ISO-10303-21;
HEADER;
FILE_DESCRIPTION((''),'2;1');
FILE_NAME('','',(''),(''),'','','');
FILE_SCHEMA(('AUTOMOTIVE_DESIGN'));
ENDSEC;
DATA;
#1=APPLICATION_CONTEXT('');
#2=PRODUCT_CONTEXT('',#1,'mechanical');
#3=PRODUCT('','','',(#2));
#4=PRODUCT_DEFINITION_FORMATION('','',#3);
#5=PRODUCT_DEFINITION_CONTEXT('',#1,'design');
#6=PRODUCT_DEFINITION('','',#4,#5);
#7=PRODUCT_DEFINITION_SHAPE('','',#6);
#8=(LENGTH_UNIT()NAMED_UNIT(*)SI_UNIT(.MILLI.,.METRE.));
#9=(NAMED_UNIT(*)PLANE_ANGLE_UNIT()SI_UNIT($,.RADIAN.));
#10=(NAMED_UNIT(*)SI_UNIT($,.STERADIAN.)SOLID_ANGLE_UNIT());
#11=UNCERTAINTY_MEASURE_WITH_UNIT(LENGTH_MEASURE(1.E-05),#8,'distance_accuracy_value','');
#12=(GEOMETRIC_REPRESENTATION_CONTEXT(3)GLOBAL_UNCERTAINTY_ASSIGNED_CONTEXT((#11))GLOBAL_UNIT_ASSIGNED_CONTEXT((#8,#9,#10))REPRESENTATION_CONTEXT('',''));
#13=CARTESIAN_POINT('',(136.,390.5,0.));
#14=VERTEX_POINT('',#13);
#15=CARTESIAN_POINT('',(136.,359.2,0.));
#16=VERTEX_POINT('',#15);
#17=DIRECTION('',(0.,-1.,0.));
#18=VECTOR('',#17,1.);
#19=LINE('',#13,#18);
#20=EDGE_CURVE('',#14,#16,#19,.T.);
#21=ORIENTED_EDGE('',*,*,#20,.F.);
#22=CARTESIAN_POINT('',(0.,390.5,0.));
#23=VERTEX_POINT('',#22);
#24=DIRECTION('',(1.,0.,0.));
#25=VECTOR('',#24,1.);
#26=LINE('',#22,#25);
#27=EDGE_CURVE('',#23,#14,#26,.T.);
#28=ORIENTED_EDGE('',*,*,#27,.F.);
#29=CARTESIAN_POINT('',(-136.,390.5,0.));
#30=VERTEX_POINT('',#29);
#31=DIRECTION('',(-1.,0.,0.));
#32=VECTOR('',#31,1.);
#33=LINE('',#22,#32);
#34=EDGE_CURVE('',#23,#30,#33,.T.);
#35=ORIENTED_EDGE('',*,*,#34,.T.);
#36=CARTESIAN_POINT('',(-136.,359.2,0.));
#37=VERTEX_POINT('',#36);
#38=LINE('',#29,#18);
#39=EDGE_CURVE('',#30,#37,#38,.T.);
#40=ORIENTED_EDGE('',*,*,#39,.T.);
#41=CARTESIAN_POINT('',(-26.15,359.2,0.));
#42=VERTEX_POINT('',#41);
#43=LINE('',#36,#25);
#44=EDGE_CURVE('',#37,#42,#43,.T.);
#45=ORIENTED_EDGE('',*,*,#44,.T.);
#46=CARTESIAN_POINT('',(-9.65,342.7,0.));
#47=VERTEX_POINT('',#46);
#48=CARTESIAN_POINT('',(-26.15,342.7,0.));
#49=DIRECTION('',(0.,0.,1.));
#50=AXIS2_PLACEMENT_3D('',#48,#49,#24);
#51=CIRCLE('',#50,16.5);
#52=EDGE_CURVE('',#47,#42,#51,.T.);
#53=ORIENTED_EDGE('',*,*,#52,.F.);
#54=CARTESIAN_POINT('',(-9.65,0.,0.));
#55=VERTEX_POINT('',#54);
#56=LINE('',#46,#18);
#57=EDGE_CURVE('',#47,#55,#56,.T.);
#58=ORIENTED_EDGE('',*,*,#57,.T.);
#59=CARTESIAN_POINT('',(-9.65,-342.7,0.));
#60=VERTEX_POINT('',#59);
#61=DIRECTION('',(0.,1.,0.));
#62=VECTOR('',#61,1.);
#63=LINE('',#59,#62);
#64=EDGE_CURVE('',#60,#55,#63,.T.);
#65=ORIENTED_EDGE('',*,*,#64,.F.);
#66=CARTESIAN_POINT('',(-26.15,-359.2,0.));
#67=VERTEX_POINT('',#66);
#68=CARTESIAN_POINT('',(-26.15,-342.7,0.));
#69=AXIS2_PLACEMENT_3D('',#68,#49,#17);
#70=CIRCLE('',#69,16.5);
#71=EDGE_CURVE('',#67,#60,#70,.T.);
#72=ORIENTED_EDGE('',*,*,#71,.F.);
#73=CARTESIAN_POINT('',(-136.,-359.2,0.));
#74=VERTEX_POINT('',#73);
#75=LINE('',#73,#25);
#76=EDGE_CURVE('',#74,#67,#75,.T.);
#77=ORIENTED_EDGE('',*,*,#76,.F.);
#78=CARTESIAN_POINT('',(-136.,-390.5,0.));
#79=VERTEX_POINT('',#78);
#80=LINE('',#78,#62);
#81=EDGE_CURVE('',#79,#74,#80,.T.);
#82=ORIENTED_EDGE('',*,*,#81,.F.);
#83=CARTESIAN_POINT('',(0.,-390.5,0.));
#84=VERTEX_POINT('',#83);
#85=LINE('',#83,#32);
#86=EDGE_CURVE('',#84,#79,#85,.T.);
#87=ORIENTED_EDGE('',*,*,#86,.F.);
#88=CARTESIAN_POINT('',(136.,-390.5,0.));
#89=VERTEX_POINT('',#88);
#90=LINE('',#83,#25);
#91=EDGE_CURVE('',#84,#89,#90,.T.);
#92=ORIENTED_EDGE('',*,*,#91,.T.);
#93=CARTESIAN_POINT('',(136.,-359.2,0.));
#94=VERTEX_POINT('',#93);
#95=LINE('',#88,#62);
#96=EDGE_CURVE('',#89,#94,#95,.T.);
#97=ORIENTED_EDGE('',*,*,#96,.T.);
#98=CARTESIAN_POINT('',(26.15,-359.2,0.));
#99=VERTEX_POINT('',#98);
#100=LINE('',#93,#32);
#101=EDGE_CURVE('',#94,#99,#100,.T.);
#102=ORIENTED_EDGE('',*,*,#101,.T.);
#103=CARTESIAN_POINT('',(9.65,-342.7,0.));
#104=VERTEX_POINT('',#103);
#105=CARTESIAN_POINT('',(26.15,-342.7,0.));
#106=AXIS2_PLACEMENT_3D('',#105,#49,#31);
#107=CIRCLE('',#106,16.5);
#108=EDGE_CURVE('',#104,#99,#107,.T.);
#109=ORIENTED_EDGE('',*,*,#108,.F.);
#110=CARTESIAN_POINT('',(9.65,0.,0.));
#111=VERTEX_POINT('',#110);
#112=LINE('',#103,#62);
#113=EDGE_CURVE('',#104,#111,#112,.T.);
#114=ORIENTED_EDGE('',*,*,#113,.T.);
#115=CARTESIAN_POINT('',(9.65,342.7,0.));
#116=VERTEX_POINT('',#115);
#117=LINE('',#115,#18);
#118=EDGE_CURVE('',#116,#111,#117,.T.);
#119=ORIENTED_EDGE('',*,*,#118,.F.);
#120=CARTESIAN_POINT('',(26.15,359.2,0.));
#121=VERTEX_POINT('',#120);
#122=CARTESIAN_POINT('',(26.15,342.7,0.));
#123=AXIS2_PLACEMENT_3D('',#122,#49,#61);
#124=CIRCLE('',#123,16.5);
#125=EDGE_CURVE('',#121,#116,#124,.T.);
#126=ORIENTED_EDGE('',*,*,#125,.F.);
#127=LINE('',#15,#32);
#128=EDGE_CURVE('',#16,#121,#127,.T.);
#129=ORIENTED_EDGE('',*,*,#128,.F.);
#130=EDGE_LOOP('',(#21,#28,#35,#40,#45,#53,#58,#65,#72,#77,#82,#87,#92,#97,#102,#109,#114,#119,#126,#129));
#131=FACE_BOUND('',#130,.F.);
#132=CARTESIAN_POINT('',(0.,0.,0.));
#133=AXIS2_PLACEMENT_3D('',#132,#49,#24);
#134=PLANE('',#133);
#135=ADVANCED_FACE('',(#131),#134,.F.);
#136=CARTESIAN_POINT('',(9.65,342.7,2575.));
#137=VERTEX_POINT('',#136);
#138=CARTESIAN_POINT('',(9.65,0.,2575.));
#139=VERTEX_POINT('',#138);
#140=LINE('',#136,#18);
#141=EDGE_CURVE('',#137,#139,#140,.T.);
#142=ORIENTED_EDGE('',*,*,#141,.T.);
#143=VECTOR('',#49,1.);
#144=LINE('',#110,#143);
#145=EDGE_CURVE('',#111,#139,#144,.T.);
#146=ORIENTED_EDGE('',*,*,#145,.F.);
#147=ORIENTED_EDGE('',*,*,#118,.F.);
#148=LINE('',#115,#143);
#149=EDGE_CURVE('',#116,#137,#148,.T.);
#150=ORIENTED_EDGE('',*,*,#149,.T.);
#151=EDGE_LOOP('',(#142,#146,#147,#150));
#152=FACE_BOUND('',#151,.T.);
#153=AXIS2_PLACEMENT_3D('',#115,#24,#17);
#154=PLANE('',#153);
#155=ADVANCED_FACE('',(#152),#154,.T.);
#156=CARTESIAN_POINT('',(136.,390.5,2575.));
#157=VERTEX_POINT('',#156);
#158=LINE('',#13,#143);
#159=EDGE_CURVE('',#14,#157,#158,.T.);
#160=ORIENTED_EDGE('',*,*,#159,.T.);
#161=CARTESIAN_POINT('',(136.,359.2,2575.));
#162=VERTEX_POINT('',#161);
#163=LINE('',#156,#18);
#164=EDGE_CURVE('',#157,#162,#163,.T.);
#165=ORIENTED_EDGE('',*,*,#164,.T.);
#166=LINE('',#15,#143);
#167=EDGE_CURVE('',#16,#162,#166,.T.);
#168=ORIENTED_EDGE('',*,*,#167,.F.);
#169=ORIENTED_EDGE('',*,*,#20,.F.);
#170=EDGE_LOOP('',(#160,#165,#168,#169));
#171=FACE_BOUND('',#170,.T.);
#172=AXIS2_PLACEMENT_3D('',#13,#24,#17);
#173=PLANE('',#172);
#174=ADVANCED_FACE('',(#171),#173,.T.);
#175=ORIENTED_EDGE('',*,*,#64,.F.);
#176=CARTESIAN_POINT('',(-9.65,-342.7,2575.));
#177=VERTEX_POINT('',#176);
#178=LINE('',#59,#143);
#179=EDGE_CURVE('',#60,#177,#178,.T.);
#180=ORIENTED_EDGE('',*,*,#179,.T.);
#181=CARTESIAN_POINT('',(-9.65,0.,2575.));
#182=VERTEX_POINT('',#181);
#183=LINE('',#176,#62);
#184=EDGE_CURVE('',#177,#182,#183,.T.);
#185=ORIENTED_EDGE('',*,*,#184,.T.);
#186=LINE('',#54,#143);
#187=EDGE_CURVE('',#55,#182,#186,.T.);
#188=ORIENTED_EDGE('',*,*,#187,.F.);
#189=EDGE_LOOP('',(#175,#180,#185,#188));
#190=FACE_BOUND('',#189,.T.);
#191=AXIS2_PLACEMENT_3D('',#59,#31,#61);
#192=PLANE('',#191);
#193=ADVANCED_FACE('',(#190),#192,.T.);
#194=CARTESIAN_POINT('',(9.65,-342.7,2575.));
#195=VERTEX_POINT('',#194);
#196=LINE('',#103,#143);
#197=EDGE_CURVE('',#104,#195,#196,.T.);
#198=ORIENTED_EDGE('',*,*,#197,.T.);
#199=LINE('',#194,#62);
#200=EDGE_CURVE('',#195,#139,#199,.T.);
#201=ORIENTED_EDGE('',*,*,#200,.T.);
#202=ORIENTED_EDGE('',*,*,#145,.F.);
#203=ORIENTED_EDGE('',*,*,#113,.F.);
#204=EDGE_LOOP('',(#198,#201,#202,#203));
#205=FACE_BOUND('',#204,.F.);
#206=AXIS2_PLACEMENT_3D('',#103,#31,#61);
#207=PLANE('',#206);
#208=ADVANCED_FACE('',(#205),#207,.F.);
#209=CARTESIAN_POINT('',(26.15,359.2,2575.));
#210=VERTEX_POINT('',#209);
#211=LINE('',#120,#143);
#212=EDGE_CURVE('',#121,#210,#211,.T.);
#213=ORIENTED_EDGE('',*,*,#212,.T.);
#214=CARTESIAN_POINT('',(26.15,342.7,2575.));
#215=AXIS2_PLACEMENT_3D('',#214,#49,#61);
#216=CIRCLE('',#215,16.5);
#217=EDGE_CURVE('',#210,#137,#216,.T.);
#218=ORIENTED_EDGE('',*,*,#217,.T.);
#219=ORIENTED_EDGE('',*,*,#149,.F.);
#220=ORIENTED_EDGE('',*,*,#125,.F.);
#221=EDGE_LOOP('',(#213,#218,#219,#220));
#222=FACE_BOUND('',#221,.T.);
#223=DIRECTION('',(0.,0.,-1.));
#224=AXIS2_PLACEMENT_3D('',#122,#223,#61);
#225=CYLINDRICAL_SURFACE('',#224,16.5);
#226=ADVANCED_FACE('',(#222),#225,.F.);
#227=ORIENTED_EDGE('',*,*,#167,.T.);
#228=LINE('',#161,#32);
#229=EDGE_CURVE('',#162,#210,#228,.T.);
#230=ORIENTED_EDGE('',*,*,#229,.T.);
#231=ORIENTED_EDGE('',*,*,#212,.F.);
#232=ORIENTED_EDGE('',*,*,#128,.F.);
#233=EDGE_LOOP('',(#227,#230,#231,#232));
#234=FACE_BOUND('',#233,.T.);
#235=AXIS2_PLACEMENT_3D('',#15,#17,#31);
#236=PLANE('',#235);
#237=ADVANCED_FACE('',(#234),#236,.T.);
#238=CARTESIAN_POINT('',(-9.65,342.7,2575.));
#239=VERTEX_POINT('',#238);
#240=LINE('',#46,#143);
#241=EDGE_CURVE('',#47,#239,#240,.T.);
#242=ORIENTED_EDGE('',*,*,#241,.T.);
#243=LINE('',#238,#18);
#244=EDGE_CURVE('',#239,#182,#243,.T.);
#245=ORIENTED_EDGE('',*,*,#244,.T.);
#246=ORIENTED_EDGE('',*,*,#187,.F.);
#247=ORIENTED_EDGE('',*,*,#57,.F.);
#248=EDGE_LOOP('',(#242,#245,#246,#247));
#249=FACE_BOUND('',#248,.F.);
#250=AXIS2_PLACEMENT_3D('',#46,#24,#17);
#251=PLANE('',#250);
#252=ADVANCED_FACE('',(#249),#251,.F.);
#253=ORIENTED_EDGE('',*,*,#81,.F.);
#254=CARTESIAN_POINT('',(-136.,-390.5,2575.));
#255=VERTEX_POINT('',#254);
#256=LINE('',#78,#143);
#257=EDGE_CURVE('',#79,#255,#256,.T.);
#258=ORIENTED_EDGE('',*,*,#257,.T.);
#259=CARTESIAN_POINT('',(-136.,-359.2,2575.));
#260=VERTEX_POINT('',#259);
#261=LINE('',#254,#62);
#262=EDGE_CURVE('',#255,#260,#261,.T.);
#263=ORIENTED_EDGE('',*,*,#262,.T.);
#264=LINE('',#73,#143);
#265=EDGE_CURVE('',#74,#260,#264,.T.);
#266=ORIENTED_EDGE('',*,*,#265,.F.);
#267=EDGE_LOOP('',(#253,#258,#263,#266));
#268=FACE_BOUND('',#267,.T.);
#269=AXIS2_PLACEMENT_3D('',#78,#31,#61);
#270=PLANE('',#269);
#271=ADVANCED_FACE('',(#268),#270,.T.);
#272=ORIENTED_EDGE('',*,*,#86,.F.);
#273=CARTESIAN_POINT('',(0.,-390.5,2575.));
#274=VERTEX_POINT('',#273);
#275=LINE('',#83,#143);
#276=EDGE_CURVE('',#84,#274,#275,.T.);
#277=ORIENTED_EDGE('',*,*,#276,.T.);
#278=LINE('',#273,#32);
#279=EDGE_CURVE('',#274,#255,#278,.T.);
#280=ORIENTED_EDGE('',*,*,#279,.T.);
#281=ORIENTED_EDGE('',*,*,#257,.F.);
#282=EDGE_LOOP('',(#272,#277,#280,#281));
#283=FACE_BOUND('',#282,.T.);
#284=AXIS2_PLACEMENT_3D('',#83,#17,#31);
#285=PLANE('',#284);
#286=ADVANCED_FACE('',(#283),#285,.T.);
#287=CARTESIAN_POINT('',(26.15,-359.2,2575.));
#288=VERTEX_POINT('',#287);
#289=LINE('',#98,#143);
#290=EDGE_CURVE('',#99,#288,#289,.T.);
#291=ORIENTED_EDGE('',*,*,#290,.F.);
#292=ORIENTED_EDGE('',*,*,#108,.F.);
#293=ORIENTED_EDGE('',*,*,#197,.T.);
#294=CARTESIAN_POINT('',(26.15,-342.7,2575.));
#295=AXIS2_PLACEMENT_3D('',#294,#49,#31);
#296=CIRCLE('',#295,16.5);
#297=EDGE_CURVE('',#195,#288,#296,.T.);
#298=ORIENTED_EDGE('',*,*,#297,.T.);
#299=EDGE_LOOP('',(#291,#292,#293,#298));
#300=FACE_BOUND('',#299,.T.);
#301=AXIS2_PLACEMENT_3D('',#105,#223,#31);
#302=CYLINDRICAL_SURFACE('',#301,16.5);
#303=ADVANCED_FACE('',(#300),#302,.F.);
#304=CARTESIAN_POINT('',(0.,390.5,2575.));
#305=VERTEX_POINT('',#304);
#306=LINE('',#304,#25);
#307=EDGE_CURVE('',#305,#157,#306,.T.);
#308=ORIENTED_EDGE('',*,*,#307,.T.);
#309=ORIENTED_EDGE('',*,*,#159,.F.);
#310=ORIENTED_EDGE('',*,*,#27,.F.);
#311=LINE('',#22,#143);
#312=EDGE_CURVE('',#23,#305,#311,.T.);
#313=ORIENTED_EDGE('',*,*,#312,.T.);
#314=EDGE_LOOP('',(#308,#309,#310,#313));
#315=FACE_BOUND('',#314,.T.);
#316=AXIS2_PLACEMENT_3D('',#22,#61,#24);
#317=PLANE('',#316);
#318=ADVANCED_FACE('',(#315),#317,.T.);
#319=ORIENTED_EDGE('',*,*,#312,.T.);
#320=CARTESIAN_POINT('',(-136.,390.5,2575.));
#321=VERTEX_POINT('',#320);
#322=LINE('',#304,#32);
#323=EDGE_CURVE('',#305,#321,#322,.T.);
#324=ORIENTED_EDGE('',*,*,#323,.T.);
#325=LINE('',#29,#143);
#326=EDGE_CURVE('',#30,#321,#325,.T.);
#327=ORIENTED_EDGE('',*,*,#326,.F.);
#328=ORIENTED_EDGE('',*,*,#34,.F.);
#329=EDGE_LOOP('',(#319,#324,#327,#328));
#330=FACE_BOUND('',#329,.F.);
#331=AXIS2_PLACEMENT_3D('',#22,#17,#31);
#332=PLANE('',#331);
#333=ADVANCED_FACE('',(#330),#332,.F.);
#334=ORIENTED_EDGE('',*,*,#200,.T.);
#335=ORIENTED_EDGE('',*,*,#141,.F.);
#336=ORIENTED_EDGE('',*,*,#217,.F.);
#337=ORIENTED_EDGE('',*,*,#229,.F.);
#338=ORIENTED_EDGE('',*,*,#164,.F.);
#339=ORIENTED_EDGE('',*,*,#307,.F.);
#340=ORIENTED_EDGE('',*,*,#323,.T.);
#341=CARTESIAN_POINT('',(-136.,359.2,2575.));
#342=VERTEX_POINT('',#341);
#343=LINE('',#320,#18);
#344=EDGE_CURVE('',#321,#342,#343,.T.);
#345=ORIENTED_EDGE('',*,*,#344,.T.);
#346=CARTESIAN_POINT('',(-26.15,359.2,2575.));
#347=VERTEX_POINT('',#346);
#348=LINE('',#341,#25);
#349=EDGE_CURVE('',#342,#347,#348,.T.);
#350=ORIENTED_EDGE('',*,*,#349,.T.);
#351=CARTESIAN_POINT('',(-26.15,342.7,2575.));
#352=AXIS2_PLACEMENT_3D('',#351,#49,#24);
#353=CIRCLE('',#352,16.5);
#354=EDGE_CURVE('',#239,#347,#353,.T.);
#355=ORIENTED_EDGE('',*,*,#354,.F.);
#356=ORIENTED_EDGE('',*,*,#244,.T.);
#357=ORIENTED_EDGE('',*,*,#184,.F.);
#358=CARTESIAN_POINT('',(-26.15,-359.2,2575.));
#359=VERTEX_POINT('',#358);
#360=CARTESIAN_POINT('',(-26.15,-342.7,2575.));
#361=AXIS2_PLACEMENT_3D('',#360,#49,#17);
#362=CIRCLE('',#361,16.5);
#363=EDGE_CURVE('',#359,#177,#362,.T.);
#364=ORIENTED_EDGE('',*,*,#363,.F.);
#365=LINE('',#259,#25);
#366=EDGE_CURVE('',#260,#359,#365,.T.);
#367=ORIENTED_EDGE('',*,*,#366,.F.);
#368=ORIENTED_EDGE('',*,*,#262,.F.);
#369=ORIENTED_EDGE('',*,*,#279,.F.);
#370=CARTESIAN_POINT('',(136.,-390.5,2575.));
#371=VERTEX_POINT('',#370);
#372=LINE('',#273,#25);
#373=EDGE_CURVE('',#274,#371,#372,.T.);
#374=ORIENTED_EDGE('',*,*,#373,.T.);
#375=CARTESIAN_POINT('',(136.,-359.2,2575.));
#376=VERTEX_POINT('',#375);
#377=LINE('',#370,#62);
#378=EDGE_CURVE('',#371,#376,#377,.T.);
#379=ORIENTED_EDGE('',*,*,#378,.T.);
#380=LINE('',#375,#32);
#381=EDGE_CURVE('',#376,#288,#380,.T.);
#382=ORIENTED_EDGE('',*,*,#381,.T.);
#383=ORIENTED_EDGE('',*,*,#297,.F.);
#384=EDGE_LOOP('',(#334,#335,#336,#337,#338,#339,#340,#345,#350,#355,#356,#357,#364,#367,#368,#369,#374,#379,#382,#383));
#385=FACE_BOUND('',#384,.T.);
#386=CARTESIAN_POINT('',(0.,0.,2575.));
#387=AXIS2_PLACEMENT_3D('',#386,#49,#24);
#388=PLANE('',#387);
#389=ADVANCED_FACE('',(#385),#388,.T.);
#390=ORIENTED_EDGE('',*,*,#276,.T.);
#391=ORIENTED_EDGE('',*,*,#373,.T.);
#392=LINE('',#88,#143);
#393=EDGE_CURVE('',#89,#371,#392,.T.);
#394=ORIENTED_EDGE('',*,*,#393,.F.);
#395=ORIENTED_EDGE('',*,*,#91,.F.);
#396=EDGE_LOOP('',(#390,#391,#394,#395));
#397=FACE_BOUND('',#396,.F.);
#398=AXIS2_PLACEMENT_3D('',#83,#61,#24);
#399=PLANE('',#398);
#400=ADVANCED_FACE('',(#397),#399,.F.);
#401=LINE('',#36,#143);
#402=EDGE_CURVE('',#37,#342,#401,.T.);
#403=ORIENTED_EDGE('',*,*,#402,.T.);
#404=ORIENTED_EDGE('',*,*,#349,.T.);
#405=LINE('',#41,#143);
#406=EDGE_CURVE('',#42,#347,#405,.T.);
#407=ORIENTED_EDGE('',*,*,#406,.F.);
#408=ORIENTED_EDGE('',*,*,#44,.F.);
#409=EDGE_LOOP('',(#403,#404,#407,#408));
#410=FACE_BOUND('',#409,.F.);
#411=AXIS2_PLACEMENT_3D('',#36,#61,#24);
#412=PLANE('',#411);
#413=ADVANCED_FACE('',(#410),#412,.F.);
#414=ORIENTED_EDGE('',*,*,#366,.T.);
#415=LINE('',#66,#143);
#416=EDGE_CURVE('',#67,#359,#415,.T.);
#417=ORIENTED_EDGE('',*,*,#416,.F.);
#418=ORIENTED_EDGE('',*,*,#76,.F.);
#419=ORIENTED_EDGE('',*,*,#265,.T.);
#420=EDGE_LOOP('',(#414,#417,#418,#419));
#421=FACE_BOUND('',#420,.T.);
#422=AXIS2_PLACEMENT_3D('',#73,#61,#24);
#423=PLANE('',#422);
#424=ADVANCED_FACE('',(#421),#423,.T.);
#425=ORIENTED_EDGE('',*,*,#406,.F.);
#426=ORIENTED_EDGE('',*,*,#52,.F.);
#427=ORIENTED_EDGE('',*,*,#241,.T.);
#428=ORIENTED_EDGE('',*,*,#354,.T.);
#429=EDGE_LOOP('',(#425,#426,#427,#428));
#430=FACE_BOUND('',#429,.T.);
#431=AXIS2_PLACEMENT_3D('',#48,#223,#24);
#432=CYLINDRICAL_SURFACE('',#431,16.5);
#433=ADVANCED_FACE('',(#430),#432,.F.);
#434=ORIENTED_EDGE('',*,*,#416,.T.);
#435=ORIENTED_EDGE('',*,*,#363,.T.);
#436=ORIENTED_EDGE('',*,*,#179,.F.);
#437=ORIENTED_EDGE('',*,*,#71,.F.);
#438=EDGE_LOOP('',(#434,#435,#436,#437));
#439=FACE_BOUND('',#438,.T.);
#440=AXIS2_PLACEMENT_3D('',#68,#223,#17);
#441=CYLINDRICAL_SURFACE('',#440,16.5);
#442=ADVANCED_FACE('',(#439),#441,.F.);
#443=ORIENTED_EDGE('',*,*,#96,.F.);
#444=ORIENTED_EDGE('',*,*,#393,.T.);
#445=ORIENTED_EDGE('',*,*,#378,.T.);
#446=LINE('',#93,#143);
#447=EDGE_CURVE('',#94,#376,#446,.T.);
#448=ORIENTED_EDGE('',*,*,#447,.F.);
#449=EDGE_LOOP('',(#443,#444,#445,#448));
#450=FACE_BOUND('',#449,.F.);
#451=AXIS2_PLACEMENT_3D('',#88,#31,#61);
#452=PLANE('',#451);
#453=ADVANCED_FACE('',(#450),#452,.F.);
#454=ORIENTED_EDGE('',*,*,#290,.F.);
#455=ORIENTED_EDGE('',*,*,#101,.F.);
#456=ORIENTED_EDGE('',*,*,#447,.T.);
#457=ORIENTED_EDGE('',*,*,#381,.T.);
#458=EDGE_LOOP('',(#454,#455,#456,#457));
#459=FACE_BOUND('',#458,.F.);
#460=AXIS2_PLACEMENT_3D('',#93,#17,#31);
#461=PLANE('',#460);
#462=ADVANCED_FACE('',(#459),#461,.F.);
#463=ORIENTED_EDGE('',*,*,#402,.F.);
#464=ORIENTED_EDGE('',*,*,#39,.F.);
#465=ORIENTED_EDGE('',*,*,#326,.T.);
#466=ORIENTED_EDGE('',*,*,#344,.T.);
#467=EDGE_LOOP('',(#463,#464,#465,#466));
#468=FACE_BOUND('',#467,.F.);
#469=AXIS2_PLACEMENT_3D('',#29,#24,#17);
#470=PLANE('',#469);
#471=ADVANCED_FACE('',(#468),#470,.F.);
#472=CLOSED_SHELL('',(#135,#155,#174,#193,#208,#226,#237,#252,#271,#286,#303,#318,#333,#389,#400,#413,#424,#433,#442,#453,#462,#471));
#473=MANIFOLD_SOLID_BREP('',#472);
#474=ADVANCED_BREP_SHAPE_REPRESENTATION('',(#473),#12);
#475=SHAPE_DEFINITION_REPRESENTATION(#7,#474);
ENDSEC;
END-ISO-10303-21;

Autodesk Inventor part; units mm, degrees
ref_plane "YZ Plane" through (0, 0, 0) normal (1, 0, 0) x (0, 1, 0)
ref_plane "Start plane" through (0, 0, 0) normal (0, 0, 1) x (1, 0, 0)
ref_plane "End plane" through (0, 0, 2575) normal (0, 0, 1) x (1, 0, 0)
sketch "Sketch" plane through (0, 0, 0) normal (0, 0, 1) x (1, 0, 0)
  line L0 (-136, -390.5) -> (-136, -359.2)
  line L1 (-136, -359.2) -> (-26.15, -359.2)
  line L2 (-9.65, -342.7) -> (-9.65, 0)
  line L3 (-9.65, 0) -> (0, 0) construction
  line L4 (0, 0) -> (0, -390.5) construction
  line L5 (0, -390.5) -> (-136, -390.5)
  line L6 (-60, 0) -> (80, 0) construction
  line L7 (0, -60) -> (0, 80) construction
  line L8 (136, -390.5) -> (136, -359.2)
  line L9 (136, -359.2) -> (26.15, -359.2)
  line L10 (9.65, -342.7) -> (9.65, 0)
  line L11 (9.65, 0) -> (0, 0) construction
  line L12 (0, -390.5) -> (136, -390.5)
  line L13 (-136, 390.5) -> (-136, 359.2)
  line L14 (-136, 359.2) -> (-26.15, 359.2)
  line L15 (-9.65, 342.7) -> (-9.65, 0)
  line L16 (0, 390.5) -> (-136, 390.5)
  line L17 (136, 390.5) -> (136, 359.2)
  line L18 (136, 359.2) -> (26.15, 359.2)
  line L19 (0, 390.5) -> (136, 390.5)
  line L20 (9.65, 342.7) -> (9.65, 0)
  arc A0 (-9.65, 342.7) -> (-26.15, 359.2) centre (-26.15, 342.7) ccw
  arc A1 (26.15, 359.2) -> (9.65, 342.7) centre (26.15, 342.7) ccw
  arc A2 (9.65, -342.7) -> (26.15, -359.2) centre (26.15, -342.7) ccw
  arc A3 (-26.15, -359.2) -> (-9.65, -342.7) centre (-26.15, -342.7) ccw
  line L21 (0, 108) -> (0, -88) construction
  line L22 (-88, 0) -> (108, 0) construction
  point P0 (-9.65, -359.2)
  point P1 (9.65, -359.2)
  point P2 (-9.65, 359.2)
  point P3 (9.65, 359.2)
  dimension "d1" = 390.5
  dimension "d2" = 31.3
  dimension "d3" = 136
  dimension "d4" = 9.65
  dimension "d10" = 16.5
extrude "Body" add sketch "Sketch" along normal up to surface (2575 mm away) from surface at 0
sketch "Sketch4" plane through (0, 0, 0) normal (0, 0, 1) x (1, 0, 0)
  line L0 (0, 0) -> (10, 0)
ref_plane "Work Plane3" through (0, 0, 0) normal (0, -1, 0) x (1, 0, 0)
sketch "Sketch5" plane through (0, 0, 0) normal (0, -1, 0) x (1, 0, 0)
  line L0 (-2, 0) -> (12, 0) projected
  line L1 (-2, 2575) -> (12, 2575) projected
  dimension "d14" = 2575
equation "\"d1\" = 0.5 * G_H"
equation "\"d2\" = G_T1"
equation "\"d3\" = 0.5 * G_W"
equation "\"d4\" = 0.5 * G_T"
equation "\"d10\" = G_IR"
equation "\"d5\" = G_L"
equation "\"G_W\" = 272"
equation "\"G_H\" = 781"
equation "\"G_T\" = 19.3"
equation "\"G_T1\" = 31.3"
equation "\"G_IR\" = 16.5"
equation "\"G_L\" = d14"
equation "\"G_OFFSET_START\" = 0"
equation "\"G_OFFSET_END\" = 0"
equation "\"d12\" = G_OFFSET_END + B_L"
equation "\"B_L\" = 2575"
properties part number "AS 3679-1990 - 760 UB - 244 - 2575" material "Steel, Mild"
